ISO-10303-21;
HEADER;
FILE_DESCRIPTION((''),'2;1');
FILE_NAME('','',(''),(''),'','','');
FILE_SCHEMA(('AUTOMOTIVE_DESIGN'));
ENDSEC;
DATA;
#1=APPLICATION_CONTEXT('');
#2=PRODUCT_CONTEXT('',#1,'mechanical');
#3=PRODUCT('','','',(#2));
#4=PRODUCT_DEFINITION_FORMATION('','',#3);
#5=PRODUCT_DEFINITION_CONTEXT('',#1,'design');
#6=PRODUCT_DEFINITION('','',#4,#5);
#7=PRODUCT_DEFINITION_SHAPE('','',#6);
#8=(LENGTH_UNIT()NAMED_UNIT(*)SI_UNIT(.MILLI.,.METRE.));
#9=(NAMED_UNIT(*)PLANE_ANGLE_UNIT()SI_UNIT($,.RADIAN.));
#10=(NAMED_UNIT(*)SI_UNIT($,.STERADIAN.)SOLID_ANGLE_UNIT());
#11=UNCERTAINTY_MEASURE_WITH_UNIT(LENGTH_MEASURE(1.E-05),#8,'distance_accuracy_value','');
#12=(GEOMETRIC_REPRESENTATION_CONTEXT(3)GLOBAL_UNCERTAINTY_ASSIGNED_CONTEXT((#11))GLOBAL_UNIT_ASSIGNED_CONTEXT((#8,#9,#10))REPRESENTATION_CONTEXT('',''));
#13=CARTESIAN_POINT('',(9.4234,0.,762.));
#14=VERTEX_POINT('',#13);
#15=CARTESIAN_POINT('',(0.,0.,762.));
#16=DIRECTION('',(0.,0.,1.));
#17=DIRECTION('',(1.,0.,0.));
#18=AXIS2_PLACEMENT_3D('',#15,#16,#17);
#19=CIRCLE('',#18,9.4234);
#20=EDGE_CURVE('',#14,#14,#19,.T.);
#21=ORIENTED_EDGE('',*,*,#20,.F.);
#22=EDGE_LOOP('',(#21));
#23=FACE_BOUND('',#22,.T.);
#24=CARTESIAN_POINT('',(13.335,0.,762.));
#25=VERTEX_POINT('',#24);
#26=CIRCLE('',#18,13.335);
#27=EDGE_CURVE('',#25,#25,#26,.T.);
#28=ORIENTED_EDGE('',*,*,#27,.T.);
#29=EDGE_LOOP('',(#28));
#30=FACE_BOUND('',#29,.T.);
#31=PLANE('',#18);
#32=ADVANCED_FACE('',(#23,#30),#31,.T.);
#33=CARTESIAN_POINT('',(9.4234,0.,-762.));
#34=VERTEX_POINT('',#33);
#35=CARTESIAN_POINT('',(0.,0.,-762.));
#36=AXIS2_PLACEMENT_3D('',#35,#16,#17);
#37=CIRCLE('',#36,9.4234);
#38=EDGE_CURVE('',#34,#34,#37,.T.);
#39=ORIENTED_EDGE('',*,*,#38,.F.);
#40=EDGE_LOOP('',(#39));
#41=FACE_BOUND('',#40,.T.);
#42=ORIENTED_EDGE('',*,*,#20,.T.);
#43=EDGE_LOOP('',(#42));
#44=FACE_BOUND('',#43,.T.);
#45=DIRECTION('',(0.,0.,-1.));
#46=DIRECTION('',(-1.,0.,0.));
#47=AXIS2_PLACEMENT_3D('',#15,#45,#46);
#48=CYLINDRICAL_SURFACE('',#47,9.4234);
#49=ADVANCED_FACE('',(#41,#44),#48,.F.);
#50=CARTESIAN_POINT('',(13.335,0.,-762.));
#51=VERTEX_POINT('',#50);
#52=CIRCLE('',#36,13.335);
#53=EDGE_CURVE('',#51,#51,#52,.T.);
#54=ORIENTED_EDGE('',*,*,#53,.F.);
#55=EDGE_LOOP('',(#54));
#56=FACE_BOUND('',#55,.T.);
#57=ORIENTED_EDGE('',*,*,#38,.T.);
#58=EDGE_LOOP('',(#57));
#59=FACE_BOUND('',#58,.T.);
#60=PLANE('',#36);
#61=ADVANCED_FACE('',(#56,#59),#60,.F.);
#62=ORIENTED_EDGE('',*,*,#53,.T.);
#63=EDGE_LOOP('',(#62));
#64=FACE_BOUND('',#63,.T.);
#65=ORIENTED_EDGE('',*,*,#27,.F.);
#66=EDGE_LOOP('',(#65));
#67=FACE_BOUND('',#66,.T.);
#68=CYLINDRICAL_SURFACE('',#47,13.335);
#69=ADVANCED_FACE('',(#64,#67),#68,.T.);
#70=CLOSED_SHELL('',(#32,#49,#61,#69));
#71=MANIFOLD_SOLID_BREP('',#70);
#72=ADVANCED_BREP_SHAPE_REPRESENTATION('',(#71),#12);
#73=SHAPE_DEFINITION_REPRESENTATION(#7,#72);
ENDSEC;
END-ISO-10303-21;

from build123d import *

# Parameters (mm, degrees)
SKETCH1_R           = 13.335
SKETCH1_R_2         = 9.4234
EXTRUDE_THIN1_DEPTH = 762


with BuildPart() as part:
    # Sketch1 → Extrude-Thin1 (new, symmetric)
    with BuildSketch(Plane.XY):
        Circle(SKETCH1_R)
        Circle(SKETCH1_R_2, mode=Mode.SUBTRACT)
    extrude(amount=EXTRUDE_THIN1_DEPTH, both=True)


solid = part.part
